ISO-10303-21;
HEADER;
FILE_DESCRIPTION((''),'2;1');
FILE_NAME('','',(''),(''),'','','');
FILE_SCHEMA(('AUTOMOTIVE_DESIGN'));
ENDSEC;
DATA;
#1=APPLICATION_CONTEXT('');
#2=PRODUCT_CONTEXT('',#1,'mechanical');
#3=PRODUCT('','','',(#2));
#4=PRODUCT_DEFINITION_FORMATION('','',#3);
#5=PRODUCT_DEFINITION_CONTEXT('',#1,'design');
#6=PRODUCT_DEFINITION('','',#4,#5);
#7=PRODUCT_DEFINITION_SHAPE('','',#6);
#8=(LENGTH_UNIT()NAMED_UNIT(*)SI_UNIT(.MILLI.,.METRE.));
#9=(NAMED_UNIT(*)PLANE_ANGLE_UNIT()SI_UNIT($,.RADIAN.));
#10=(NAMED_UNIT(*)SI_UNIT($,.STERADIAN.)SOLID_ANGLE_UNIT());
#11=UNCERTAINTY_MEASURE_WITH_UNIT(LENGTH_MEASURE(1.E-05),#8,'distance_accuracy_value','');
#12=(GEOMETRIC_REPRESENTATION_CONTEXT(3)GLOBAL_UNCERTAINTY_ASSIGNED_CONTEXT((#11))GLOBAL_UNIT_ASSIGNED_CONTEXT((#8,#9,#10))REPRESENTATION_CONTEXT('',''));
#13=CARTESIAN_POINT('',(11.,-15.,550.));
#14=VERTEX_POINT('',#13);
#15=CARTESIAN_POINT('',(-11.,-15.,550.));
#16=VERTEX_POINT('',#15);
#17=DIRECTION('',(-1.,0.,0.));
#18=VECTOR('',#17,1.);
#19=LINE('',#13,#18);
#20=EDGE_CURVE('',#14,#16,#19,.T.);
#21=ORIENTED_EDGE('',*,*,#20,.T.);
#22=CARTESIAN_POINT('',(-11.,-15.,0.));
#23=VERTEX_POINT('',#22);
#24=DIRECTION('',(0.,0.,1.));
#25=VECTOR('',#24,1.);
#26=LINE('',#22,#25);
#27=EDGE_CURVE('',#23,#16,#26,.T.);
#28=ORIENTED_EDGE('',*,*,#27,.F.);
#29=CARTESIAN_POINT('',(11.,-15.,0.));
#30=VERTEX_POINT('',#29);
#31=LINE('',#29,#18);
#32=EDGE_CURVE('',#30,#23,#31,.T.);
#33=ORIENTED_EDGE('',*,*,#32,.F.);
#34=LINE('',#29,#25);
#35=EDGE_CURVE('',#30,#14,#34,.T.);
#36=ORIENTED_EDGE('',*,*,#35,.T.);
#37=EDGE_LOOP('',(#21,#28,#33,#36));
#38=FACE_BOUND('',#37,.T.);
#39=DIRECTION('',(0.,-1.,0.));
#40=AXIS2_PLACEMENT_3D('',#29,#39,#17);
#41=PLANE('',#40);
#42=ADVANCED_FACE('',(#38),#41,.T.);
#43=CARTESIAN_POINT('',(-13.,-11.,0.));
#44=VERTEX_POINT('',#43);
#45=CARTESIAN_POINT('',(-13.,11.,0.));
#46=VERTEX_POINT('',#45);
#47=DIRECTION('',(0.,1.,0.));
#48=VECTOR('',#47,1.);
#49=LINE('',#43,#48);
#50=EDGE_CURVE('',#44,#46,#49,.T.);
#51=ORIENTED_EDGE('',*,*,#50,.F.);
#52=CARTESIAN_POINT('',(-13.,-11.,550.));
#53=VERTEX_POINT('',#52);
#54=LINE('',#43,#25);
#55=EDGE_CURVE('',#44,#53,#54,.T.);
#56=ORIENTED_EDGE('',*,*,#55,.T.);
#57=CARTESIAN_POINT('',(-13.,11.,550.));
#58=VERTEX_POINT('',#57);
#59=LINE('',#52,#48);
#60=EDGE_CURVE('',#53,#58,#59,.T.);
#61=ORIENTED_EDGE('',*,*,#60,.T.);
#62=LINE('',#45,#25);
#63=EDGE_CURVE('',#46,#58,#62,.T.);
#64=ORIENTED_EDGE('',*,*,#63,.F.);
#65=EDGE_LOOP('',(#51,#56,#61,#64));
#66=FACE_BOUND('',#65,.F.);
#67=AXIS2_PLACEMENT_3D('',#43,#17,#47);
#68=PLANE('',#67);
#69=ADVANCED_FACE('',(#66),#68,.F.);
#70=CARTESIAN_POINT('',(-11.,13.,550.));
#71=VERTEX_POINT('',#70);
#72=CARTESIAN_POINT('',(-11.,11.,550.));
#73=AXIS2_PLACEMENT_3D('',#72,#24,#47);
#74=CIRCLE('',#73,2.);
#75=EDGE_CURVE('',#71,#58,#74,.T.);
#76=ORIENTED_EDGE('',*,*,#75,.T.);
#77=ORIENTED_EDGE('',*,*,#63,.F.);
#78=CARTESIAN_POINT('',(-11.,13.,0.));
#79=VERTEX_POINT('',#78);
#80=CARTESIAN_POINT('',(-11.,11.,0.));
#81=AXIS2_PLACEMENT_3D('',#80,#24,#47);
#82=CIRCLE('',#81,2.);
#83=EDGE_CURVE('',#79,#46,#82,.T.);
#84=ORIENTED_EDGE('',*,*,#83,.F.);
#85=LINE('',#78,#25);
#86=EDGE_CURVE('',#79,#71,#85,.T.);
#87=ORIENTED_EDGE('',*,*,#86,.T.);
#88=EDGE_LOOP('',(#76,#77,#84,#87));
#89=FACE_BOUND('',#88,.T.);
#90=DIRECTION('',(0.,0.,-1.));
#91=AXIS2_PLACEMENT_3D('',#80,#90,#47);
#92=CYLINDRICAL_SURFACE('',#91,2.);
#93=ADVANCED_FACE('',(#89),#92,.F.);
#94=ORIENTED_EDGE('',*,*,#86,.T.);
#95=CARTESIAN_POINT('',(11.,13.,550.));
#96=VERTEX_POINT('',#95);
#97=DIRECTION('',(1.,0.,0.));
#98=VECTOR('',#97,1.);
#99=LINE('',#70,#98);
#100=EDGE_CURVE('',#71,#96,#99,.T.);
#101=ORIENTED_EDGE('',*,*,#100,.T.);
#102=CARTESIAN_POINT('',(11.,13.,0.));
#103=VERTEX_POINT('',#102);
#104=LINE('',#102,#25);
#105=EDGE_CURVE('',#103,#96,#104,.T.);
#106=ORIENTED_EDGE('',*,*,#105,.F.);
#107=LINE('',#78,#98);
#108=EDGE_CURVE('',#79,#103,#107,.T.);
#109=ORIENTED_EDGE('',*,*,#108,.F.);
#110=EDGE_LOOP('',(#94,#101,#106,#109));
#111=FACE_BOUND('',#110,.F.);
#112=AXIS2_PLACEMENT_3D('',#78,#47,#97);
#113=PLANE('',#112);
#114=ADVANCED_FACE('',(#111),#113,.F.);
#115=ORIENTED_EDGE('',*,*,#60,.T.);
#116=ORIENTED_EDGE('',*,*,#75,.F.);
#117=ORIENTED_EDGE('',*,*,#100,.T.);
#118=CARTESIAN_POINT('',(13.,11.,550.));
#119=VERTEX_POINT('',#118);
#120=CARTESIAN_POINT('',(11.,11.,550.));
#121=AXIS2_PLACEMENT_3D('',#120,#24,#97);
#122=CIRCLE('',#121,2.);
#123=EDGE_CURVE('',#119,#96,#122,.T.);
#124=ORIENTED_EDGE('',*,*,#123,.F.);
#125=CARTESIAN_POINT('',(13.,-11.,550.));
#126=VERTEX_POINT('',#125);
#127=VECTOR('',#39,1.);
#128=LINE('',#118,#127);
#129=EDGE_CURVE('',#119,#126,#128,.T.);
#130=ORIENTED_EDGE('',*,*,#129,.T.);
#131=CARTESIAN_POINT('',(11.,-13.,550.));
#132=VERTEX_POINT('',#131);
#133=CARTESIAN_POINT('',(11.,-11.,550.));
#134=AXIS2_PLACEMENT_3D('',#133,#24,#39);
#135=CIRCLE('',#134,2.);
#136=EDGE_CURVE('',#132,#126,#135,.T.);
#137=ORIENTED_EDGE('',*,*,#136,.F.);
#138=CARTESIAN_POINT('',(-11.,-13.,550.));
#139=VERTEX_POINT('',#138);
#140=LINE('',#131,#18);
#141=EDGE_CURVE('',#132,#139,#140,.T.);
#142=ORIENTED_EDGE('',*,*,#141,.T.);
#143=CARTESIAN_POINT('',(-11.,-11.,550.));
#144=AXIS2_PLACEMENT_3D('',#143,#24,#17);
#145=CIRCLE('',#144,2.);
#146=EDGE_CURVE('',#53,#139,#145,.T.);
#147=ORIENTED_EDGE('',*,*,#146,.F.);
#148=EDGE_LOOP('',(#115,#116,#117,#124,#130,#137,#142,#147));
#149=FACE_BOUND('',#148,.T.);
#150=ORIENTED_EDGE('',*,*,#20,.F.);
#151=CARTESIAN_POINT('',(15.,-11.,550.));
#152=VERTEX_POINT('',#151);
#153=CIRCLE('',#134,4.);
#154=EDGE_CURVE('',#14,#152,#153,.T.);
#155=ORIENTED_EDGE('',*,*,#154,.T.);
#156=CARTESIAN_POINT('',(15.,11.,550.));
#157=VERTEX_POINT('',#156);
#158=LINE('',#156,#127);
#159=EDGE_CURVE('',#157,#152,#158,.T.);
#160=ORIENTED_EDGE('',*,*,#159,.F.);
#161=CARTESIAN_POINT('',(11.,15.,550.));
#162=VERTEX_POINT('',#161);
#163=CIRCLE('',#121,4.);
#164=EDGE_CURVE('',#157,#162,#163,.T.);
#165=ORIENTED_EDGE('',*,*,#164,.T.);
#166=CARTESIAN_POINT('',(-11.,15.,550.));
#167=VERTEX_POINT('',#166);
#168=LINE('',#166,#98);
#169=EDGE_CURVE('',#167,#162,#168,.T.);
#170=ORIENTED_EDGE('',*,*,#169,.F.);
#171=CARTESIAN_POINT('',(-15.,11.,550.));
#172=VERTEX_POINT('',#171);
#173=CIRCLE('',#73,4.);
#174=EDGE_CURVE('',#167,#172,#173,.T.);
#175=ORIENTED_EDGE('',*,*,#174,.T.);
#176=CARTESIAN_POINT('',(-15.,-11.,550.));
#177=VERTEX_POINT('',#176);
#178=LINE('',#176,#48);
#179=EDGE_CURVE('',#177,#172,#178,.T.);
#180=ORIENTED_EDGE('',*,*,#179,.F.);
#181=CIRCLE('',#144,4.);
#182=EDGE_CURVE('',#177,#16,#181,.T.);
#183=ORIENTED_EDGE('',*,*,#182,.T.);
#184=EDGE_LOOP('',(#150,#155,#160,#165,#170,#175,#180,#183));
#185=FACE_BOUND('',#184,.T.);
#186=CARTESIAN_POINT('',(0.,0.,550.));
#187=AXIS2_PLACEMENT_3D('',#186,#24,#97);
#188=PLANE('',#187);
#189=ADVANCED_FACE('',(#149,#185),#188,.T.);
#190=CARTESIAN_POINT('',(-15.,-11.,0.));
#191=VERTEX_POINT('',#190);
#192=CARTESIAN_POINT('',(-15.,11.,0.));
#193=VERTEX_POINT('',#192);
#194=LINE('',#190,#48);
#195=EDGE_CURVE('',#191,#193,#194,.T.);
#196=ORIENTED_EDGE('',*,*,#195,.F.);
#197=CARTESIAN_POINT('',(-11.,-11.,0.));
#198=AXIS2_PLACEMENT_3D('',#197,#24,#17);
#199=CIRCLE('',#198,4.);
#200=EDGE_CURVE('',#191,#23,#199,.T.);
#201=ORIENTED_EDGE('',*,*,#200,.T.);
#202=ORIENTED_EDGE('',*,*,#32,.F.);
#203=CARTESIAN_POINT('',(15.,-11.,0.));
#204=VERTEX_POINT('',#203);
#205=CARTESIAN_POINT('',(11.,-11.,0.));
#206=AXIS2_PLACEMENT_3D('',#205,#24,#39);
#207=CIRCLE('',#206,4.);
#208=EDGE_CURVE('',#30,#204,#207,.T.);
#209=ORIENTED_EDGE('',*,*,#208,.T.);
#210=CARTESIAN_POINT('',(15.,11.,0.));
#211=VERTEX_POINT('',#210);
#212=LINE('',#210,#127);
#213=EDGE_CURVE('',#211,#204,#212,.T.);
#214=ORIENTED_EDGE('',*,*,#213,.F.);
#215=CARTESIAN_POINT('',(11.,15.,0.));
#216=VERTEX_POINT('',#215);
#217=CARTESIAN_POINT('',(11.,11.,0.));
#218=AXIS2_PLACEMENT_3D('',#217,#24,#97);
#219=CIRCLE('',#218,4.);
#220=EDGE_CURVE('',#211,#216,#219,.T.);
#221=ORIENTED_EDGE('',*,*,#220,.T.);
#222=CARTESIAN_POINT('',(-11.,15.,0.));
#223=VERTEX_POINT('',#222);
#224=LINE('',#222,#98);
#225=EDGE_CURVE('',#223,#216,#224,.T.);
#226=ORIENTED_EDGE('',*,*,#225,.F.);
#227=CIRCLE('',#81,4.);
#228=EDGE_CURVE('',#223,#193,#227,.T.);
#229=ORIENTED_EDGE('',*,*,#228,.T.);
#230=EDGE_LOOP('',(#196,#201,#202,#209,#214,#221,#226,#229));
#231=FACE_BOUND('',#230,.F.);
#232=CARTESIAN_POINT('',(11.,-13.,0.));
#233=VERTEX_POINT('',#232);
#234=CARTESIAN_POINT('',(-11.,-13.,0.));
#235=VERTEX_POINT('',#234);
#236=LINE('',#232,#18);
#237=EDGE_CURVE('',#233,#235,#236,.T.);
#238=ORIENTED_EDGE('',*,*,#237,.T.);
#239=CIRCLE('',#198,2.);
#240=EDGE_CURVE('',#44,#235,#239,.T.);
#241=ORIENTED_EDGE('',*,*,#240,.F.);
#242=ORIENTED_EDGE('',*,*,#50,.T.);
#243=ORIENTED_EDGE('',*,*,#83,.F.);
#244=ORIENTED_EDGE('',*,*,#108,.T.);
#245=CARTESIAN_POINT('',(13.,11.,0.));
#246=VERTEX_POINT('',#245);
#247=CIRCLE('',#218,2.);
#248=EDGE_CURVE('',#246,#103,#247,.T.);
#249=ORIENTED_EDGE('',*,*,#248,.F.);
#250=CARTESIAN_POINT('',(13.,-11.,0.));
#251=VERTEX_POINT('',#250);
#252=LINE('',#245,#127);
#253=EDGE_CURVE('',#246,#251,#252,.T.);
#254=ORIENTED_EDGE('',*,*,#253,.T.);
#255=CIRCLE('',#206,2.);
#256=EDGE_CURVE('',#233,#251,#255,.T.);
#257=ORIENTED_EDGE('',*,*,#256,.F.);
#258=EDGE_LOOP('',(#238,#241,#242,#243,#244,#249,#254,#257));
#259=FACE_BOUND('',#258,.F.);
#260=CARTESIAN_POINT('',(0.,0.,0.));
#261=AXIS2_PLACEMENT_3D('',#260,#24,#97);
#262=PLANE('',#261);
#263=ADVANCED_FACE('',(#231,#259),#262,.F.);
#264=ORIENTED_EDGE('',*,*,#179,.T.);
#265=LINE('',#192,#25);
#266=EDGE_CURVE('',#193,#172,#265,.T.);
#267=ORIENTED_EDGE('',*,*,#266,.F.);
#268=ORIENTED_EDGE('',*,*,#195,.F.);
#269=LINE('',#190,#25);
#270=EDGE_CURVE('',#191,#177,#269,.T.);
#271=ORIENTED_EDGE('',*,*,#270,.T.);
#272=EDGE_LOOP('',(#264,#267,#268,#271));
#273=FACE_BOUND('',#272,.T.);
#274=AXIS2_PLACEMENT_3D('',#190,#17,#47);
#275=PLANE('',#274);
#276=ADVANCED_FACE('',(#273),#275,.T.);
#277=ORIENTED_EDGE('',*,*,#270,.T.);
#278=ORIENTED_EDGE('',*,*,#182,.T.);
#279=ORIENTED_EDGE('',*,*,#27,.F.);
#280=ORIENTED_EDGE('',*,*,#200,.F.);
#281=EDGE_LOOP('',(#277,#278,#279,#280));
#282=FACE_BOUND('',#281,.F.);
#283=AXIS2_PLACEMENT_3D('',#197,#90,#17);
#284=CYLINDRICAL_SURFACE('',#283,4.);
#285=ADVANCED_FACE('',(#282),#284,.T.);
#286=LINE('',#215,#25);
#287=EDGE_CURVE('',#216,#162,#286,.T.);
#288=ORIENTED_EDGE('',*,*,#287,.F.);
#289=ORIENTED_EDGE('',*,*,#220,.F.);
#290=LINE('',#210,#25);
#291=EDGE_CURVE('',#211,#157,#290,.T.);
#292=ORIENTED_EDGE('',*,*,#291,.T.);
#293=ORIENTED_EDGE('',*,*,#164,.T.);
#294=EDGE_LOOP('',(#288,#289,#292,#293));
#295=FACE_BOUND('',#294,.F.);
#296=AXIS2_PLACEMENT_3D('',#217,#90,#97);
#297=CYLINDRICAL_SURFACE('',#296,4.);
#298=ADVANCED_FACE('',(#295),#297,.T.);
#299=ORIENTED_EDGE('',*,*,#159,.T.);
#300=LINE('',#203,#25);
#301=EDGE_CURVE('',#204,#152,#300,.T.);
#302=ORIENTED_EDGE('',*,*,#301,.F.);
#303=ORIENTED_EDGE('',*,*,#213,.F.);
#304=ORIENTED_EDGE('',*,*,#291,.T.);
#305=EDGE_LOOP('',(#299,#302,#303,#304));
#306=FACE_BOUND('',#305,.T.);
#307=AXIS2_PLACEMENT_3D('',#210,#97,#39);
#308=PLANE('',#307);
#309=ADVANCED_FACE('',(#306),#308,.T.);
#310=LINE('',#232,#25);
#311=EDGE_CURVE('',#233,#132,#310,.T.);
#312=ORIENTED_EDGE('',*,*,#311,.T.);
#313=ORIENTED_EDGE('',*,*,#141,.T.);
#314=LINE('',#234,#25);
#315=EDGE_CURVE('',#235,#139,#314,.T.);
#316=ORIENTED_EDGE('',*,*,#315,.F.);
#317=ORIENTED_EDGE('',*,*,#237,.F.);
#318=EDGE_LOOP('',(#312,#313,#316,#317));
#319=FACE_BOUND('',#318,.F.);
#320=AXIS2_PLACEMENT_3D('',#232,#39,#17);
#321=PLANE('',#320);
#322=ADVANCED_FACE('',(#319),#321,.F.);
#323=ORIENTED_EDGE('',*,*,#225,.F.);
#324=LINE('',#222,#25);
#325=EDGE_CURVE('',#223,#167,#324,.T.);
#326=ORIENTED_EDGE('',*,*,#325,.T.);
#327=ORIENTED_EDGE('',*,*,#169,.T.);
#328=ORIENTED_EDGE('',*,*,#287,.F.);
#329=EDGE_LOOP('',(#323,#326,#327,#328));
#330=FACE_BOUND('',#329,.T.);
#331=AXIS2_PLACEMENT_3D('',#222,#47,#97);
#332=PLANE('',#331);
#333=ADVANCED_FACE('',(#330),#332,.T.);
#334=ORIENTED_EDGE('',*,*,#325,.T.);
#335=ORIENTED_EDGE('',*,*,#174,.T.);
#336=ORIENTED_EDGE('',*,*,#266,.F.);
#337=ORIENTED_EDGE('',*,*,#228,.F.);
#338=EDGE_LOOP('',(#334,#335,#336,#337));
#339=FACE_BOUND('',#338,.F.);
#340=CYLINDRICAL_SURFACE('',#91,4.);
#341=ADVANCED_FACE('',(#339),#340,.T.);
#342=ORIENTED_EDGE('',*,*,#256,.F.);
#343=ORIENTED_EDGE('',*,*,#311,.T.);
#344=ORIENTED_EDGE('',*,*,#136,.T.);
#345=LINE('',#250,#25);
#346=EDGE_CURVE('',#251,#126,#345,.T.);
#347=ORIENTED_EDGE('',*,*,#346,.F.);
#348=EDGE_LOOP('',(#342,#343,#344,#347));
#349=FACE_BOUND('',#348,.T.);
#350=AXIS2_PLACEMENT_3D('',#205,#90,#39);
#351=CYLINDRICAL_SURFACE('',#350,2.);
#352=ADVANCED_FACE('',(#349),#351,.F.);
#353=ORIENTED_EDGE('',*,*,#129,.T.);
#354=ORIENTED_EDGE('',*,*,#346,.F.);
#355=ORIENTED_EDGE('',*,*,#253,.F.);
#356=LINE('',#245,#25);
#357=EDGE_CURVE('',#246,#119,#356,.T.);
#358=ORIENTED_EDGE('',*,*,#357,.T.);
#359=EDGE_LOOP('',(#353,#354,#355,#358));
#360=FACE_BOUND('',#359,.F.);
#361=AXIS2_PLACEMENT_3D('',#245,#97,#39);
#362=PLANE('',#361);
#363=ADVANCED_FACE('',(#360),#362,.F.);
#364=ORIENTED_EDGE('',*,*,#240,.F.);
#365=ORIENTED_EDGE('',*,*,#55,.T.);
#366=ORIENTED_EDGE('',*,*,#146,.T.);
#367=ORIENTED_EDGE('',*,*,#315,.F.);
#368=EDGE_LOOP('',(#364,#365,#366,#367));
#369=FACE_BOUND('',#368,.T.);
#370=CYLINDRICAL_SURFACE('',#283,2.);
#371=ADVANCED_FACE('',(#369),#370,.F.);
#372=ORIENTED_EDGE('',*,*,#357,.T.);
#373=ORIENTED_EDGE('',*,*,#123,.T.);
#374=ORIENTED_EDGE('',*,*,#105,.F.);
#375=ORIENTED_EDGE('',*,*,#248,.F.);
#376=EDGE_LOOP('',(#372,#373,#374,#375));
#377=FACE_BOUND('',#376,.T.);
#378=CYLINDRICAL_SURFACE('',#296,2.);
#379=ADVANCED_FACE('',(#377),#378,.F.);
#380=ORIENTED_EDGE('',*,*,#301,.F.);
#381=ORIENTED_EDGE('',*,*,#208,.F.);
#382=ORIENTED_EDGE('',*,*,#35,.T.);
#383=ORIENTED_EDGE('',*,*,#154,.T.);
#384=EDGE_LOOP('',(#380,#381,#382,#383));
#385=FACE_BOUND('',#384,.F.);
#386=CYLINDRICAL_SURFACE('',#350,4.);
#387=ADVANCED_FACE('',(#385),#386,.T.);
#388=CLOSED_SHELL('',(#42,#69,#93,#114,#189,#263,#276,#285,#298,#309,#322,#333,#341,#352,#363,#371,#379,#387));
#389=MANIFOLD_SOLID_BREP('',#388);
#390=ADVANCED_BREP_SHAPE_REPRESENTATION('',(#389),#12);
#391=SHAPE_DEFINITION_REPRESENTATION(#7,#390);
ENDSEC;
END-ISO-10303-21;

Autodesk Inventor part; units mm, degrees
ref_plane "YZ Plane" through (0, 0, 0) normal (1, 0, 0) x (0, 1, 0)
ref_plane "Plano inicial" through (0, 0, 0) normal (0, 0, 1) x (1, 0, 0)
ref_plane "Plano final" through (0, 0, 550) normal (0, 0, 1) x (1, 0, 0)
sketch "Esboço" plane through (0, 0, 0) normal (0, 0, 1) x (1, 0, 0)
  line L0 (-15, -11) -> (-15, 11)
  line L1 (-11, 15) -> (11, 15)
  line L2 (15, 11) -> (15, -11)
  line L3 (11, -15) -> (-11, -15)
  arc A0 (-15, -11) -> (-11, -15) centre (-11, -11) ccw
  arc A1 (15, 11) -> (11, 15) centre (11, 11) ccw
  arc A2 (-11, 15) -> (-15, 11) centre (-11, 11) ccw
  arc A3 (11, -15) -> (15, -11) centre (11, -11) ccw
  arc A4 (-11, 13) -> (-13, 11) centre (-11, 11) ccw
  line L4 (-11, 13) -> (11, 13)
  arc A5 (13, 11) -> (11, 13) centre (11, 11) ccw
  line L5 (13, 11) -> (13, -11)
  arc A6 (11, -13) -> (13, -11) centre (11, -11) ccw
  line L6 (11, -13) -> (-11, -13)
  arc A7 (-13, -11) -> (-11, -13) centre (-11, -11) ccw
  line L7 (-13, -11) -> (-13, 11)
  line L8 (0, 22.1598) -> (0, -22.1598) construction
  line L9 (-22.1598, 0) -> (22.1598, 0) construction
  dimension "d7" = 4
  dimension "d9" = 30
  dimension "d11" = 30
  dimension "d12" = 2
  dimension "d15" = 15
  dimension "d16" = 15
extrude "Corpo" add sketch "Esboço" along normal up to surface (550 mm away) from surface at 0
sketch "Sketch3" plane through (0, 0, 0) normal (0, 0, 1) x (1, 0, 0)
  line L0 (0, 0) -> (10, 0)
ref_plane "Work Plane3" through (0, 0, 0) normal (0, -1, 0) x (1, 0, 0)
sketch "Sketch4" plane through (0, 0, 0) normal (0, -1, 0) x (1, 0, 0)
  line L0 (-2, 0) -> (12, 0)
  line L1 (-2, 550) -> (12, 550)
  dimension "d18" = 550
equation "\"d7\" = G_IR"
equation "\"d9\" = G_W"
equation "\"d11\" = G_H"
equation "\"d12\" = G_T"
equation "\"d15\" = 0.5 * d9"
equation "\"d16\" = 0.5 * d11"
equation "\"d3\" = G_L"
equation "\"G_W\" = 30"
equation "\"G_H\" = 30"
equation "\"G_T\" = 2"
equation "\"G_IR\" = 4"
equation "\"G_L\" = d18"
equation "\"G_OFFSET_START\" = 0"
equation "\"G_OFFSET_END\" = 0"
properties part number "ISO 10799-2 - 30x30x2 - 550" material "Aço, suave"
